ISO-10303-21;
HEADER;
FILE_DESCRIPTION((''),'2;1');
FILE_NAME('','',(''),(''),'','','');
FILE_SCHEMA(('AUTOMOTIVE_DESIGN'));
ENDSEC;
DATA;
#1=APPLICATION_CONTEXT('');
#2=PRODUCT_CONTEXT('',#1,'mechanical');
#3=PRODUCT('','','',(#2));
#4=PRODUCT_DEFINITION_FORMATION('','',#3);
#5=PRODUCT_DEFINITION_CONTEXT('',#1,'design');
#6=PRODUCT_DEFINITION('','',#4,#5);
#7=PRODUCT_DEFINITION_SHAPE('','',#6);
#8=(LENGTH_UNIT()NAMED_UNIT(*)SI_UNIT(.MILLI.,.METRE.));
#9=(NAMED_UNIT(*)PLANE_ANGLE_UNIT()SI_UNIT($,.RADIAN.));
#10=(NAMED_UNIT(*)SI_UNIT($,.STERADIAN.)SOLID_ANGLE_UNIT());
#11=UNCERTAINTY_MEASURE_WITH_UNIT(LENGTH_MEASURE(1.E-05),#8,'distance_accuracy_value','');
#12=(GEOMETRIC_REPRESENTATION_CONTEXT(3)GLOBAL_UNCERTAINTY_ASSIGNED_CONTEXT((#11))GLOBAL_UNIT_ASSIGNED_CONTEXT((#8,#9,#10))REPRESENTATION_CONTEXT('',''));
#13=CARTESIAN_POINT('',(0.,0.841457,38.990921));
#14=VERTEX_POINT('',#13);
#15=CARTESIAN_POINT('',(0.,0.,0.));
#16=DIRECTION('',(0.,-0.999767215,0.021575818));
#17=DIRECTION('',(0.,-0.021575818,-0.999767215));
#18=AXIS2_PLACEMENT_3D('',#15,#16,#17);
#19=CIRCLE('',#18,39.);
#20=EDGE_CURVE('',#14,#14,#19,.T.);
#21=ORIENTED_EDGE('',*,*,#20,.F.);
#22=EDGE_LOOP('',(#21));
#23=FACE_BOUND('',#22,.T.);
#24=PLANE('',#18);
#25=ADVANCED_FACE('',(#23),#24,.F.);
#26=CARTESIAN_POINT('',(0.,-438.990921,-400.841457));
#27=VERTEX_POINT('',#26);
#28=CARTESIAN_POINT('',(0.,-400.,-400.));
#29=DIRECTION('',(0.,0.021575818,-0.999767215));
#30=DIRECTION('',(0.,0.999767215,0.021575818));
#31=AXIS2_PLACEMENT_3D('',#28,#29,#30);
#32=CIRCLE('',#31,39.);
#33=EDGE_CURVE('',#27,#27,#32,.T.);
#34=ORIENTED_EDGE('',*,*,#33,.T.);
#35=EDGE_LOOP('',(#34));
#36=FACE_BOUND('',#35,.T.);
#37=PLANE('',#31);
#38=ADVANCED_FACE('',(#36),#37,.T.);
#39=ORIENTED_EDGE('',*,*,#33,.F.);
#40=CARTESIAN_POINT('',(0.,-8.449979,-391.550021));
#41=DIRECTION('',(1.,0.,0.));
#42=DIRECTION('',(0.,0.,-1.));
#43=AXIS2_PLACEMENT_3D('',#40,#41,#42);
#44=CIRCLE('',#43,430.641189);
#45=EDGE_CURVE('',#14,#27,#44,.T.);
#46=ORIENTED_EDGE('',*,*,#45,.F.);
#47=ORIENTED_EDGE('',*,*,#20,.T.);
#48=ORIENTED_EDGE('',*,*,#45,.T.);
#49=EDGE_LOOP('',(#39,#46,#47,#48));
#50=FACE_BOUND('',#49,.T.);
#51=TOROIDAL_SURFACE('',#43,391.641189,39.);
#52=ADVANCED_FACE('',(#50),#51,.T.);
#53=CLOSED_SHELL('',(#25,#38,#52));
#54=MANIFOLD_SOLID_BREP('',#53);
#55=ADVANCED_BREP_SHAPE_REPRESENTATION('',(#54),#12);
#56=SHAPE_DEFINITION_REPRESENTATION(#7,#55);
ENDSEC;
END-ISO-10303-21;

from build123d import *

# Parameters (mm, degrees)
SWEEP1_PROFILE_R = 39


with BuildPart() as part:
    # Sweep1: sweep along a path in Sketch3
    with BuildLine(Plane(origin=(0, 0, 0), x_dir=(0, 0, -1), z_dir=(1, 0, 0))) as sweep1_path:
        ThreePointArc((0, 0), (114.617880258, -285.382119742), (400, -400))
    # Sweep1 profile (on start of the path) → Sweep1 (sweep)
    with BuildSketch(Plane(origin=(0, 0, 0), x_dir=(0, -0.021575818423397435, -0.9997672149352371), z_dir=(0, -0.9997672149352371, 0.021575818423397435))):
        Circle(SWEEP1_PROFILE_R)
    sweep(path=sweep1_path.line)


solid = part.part
